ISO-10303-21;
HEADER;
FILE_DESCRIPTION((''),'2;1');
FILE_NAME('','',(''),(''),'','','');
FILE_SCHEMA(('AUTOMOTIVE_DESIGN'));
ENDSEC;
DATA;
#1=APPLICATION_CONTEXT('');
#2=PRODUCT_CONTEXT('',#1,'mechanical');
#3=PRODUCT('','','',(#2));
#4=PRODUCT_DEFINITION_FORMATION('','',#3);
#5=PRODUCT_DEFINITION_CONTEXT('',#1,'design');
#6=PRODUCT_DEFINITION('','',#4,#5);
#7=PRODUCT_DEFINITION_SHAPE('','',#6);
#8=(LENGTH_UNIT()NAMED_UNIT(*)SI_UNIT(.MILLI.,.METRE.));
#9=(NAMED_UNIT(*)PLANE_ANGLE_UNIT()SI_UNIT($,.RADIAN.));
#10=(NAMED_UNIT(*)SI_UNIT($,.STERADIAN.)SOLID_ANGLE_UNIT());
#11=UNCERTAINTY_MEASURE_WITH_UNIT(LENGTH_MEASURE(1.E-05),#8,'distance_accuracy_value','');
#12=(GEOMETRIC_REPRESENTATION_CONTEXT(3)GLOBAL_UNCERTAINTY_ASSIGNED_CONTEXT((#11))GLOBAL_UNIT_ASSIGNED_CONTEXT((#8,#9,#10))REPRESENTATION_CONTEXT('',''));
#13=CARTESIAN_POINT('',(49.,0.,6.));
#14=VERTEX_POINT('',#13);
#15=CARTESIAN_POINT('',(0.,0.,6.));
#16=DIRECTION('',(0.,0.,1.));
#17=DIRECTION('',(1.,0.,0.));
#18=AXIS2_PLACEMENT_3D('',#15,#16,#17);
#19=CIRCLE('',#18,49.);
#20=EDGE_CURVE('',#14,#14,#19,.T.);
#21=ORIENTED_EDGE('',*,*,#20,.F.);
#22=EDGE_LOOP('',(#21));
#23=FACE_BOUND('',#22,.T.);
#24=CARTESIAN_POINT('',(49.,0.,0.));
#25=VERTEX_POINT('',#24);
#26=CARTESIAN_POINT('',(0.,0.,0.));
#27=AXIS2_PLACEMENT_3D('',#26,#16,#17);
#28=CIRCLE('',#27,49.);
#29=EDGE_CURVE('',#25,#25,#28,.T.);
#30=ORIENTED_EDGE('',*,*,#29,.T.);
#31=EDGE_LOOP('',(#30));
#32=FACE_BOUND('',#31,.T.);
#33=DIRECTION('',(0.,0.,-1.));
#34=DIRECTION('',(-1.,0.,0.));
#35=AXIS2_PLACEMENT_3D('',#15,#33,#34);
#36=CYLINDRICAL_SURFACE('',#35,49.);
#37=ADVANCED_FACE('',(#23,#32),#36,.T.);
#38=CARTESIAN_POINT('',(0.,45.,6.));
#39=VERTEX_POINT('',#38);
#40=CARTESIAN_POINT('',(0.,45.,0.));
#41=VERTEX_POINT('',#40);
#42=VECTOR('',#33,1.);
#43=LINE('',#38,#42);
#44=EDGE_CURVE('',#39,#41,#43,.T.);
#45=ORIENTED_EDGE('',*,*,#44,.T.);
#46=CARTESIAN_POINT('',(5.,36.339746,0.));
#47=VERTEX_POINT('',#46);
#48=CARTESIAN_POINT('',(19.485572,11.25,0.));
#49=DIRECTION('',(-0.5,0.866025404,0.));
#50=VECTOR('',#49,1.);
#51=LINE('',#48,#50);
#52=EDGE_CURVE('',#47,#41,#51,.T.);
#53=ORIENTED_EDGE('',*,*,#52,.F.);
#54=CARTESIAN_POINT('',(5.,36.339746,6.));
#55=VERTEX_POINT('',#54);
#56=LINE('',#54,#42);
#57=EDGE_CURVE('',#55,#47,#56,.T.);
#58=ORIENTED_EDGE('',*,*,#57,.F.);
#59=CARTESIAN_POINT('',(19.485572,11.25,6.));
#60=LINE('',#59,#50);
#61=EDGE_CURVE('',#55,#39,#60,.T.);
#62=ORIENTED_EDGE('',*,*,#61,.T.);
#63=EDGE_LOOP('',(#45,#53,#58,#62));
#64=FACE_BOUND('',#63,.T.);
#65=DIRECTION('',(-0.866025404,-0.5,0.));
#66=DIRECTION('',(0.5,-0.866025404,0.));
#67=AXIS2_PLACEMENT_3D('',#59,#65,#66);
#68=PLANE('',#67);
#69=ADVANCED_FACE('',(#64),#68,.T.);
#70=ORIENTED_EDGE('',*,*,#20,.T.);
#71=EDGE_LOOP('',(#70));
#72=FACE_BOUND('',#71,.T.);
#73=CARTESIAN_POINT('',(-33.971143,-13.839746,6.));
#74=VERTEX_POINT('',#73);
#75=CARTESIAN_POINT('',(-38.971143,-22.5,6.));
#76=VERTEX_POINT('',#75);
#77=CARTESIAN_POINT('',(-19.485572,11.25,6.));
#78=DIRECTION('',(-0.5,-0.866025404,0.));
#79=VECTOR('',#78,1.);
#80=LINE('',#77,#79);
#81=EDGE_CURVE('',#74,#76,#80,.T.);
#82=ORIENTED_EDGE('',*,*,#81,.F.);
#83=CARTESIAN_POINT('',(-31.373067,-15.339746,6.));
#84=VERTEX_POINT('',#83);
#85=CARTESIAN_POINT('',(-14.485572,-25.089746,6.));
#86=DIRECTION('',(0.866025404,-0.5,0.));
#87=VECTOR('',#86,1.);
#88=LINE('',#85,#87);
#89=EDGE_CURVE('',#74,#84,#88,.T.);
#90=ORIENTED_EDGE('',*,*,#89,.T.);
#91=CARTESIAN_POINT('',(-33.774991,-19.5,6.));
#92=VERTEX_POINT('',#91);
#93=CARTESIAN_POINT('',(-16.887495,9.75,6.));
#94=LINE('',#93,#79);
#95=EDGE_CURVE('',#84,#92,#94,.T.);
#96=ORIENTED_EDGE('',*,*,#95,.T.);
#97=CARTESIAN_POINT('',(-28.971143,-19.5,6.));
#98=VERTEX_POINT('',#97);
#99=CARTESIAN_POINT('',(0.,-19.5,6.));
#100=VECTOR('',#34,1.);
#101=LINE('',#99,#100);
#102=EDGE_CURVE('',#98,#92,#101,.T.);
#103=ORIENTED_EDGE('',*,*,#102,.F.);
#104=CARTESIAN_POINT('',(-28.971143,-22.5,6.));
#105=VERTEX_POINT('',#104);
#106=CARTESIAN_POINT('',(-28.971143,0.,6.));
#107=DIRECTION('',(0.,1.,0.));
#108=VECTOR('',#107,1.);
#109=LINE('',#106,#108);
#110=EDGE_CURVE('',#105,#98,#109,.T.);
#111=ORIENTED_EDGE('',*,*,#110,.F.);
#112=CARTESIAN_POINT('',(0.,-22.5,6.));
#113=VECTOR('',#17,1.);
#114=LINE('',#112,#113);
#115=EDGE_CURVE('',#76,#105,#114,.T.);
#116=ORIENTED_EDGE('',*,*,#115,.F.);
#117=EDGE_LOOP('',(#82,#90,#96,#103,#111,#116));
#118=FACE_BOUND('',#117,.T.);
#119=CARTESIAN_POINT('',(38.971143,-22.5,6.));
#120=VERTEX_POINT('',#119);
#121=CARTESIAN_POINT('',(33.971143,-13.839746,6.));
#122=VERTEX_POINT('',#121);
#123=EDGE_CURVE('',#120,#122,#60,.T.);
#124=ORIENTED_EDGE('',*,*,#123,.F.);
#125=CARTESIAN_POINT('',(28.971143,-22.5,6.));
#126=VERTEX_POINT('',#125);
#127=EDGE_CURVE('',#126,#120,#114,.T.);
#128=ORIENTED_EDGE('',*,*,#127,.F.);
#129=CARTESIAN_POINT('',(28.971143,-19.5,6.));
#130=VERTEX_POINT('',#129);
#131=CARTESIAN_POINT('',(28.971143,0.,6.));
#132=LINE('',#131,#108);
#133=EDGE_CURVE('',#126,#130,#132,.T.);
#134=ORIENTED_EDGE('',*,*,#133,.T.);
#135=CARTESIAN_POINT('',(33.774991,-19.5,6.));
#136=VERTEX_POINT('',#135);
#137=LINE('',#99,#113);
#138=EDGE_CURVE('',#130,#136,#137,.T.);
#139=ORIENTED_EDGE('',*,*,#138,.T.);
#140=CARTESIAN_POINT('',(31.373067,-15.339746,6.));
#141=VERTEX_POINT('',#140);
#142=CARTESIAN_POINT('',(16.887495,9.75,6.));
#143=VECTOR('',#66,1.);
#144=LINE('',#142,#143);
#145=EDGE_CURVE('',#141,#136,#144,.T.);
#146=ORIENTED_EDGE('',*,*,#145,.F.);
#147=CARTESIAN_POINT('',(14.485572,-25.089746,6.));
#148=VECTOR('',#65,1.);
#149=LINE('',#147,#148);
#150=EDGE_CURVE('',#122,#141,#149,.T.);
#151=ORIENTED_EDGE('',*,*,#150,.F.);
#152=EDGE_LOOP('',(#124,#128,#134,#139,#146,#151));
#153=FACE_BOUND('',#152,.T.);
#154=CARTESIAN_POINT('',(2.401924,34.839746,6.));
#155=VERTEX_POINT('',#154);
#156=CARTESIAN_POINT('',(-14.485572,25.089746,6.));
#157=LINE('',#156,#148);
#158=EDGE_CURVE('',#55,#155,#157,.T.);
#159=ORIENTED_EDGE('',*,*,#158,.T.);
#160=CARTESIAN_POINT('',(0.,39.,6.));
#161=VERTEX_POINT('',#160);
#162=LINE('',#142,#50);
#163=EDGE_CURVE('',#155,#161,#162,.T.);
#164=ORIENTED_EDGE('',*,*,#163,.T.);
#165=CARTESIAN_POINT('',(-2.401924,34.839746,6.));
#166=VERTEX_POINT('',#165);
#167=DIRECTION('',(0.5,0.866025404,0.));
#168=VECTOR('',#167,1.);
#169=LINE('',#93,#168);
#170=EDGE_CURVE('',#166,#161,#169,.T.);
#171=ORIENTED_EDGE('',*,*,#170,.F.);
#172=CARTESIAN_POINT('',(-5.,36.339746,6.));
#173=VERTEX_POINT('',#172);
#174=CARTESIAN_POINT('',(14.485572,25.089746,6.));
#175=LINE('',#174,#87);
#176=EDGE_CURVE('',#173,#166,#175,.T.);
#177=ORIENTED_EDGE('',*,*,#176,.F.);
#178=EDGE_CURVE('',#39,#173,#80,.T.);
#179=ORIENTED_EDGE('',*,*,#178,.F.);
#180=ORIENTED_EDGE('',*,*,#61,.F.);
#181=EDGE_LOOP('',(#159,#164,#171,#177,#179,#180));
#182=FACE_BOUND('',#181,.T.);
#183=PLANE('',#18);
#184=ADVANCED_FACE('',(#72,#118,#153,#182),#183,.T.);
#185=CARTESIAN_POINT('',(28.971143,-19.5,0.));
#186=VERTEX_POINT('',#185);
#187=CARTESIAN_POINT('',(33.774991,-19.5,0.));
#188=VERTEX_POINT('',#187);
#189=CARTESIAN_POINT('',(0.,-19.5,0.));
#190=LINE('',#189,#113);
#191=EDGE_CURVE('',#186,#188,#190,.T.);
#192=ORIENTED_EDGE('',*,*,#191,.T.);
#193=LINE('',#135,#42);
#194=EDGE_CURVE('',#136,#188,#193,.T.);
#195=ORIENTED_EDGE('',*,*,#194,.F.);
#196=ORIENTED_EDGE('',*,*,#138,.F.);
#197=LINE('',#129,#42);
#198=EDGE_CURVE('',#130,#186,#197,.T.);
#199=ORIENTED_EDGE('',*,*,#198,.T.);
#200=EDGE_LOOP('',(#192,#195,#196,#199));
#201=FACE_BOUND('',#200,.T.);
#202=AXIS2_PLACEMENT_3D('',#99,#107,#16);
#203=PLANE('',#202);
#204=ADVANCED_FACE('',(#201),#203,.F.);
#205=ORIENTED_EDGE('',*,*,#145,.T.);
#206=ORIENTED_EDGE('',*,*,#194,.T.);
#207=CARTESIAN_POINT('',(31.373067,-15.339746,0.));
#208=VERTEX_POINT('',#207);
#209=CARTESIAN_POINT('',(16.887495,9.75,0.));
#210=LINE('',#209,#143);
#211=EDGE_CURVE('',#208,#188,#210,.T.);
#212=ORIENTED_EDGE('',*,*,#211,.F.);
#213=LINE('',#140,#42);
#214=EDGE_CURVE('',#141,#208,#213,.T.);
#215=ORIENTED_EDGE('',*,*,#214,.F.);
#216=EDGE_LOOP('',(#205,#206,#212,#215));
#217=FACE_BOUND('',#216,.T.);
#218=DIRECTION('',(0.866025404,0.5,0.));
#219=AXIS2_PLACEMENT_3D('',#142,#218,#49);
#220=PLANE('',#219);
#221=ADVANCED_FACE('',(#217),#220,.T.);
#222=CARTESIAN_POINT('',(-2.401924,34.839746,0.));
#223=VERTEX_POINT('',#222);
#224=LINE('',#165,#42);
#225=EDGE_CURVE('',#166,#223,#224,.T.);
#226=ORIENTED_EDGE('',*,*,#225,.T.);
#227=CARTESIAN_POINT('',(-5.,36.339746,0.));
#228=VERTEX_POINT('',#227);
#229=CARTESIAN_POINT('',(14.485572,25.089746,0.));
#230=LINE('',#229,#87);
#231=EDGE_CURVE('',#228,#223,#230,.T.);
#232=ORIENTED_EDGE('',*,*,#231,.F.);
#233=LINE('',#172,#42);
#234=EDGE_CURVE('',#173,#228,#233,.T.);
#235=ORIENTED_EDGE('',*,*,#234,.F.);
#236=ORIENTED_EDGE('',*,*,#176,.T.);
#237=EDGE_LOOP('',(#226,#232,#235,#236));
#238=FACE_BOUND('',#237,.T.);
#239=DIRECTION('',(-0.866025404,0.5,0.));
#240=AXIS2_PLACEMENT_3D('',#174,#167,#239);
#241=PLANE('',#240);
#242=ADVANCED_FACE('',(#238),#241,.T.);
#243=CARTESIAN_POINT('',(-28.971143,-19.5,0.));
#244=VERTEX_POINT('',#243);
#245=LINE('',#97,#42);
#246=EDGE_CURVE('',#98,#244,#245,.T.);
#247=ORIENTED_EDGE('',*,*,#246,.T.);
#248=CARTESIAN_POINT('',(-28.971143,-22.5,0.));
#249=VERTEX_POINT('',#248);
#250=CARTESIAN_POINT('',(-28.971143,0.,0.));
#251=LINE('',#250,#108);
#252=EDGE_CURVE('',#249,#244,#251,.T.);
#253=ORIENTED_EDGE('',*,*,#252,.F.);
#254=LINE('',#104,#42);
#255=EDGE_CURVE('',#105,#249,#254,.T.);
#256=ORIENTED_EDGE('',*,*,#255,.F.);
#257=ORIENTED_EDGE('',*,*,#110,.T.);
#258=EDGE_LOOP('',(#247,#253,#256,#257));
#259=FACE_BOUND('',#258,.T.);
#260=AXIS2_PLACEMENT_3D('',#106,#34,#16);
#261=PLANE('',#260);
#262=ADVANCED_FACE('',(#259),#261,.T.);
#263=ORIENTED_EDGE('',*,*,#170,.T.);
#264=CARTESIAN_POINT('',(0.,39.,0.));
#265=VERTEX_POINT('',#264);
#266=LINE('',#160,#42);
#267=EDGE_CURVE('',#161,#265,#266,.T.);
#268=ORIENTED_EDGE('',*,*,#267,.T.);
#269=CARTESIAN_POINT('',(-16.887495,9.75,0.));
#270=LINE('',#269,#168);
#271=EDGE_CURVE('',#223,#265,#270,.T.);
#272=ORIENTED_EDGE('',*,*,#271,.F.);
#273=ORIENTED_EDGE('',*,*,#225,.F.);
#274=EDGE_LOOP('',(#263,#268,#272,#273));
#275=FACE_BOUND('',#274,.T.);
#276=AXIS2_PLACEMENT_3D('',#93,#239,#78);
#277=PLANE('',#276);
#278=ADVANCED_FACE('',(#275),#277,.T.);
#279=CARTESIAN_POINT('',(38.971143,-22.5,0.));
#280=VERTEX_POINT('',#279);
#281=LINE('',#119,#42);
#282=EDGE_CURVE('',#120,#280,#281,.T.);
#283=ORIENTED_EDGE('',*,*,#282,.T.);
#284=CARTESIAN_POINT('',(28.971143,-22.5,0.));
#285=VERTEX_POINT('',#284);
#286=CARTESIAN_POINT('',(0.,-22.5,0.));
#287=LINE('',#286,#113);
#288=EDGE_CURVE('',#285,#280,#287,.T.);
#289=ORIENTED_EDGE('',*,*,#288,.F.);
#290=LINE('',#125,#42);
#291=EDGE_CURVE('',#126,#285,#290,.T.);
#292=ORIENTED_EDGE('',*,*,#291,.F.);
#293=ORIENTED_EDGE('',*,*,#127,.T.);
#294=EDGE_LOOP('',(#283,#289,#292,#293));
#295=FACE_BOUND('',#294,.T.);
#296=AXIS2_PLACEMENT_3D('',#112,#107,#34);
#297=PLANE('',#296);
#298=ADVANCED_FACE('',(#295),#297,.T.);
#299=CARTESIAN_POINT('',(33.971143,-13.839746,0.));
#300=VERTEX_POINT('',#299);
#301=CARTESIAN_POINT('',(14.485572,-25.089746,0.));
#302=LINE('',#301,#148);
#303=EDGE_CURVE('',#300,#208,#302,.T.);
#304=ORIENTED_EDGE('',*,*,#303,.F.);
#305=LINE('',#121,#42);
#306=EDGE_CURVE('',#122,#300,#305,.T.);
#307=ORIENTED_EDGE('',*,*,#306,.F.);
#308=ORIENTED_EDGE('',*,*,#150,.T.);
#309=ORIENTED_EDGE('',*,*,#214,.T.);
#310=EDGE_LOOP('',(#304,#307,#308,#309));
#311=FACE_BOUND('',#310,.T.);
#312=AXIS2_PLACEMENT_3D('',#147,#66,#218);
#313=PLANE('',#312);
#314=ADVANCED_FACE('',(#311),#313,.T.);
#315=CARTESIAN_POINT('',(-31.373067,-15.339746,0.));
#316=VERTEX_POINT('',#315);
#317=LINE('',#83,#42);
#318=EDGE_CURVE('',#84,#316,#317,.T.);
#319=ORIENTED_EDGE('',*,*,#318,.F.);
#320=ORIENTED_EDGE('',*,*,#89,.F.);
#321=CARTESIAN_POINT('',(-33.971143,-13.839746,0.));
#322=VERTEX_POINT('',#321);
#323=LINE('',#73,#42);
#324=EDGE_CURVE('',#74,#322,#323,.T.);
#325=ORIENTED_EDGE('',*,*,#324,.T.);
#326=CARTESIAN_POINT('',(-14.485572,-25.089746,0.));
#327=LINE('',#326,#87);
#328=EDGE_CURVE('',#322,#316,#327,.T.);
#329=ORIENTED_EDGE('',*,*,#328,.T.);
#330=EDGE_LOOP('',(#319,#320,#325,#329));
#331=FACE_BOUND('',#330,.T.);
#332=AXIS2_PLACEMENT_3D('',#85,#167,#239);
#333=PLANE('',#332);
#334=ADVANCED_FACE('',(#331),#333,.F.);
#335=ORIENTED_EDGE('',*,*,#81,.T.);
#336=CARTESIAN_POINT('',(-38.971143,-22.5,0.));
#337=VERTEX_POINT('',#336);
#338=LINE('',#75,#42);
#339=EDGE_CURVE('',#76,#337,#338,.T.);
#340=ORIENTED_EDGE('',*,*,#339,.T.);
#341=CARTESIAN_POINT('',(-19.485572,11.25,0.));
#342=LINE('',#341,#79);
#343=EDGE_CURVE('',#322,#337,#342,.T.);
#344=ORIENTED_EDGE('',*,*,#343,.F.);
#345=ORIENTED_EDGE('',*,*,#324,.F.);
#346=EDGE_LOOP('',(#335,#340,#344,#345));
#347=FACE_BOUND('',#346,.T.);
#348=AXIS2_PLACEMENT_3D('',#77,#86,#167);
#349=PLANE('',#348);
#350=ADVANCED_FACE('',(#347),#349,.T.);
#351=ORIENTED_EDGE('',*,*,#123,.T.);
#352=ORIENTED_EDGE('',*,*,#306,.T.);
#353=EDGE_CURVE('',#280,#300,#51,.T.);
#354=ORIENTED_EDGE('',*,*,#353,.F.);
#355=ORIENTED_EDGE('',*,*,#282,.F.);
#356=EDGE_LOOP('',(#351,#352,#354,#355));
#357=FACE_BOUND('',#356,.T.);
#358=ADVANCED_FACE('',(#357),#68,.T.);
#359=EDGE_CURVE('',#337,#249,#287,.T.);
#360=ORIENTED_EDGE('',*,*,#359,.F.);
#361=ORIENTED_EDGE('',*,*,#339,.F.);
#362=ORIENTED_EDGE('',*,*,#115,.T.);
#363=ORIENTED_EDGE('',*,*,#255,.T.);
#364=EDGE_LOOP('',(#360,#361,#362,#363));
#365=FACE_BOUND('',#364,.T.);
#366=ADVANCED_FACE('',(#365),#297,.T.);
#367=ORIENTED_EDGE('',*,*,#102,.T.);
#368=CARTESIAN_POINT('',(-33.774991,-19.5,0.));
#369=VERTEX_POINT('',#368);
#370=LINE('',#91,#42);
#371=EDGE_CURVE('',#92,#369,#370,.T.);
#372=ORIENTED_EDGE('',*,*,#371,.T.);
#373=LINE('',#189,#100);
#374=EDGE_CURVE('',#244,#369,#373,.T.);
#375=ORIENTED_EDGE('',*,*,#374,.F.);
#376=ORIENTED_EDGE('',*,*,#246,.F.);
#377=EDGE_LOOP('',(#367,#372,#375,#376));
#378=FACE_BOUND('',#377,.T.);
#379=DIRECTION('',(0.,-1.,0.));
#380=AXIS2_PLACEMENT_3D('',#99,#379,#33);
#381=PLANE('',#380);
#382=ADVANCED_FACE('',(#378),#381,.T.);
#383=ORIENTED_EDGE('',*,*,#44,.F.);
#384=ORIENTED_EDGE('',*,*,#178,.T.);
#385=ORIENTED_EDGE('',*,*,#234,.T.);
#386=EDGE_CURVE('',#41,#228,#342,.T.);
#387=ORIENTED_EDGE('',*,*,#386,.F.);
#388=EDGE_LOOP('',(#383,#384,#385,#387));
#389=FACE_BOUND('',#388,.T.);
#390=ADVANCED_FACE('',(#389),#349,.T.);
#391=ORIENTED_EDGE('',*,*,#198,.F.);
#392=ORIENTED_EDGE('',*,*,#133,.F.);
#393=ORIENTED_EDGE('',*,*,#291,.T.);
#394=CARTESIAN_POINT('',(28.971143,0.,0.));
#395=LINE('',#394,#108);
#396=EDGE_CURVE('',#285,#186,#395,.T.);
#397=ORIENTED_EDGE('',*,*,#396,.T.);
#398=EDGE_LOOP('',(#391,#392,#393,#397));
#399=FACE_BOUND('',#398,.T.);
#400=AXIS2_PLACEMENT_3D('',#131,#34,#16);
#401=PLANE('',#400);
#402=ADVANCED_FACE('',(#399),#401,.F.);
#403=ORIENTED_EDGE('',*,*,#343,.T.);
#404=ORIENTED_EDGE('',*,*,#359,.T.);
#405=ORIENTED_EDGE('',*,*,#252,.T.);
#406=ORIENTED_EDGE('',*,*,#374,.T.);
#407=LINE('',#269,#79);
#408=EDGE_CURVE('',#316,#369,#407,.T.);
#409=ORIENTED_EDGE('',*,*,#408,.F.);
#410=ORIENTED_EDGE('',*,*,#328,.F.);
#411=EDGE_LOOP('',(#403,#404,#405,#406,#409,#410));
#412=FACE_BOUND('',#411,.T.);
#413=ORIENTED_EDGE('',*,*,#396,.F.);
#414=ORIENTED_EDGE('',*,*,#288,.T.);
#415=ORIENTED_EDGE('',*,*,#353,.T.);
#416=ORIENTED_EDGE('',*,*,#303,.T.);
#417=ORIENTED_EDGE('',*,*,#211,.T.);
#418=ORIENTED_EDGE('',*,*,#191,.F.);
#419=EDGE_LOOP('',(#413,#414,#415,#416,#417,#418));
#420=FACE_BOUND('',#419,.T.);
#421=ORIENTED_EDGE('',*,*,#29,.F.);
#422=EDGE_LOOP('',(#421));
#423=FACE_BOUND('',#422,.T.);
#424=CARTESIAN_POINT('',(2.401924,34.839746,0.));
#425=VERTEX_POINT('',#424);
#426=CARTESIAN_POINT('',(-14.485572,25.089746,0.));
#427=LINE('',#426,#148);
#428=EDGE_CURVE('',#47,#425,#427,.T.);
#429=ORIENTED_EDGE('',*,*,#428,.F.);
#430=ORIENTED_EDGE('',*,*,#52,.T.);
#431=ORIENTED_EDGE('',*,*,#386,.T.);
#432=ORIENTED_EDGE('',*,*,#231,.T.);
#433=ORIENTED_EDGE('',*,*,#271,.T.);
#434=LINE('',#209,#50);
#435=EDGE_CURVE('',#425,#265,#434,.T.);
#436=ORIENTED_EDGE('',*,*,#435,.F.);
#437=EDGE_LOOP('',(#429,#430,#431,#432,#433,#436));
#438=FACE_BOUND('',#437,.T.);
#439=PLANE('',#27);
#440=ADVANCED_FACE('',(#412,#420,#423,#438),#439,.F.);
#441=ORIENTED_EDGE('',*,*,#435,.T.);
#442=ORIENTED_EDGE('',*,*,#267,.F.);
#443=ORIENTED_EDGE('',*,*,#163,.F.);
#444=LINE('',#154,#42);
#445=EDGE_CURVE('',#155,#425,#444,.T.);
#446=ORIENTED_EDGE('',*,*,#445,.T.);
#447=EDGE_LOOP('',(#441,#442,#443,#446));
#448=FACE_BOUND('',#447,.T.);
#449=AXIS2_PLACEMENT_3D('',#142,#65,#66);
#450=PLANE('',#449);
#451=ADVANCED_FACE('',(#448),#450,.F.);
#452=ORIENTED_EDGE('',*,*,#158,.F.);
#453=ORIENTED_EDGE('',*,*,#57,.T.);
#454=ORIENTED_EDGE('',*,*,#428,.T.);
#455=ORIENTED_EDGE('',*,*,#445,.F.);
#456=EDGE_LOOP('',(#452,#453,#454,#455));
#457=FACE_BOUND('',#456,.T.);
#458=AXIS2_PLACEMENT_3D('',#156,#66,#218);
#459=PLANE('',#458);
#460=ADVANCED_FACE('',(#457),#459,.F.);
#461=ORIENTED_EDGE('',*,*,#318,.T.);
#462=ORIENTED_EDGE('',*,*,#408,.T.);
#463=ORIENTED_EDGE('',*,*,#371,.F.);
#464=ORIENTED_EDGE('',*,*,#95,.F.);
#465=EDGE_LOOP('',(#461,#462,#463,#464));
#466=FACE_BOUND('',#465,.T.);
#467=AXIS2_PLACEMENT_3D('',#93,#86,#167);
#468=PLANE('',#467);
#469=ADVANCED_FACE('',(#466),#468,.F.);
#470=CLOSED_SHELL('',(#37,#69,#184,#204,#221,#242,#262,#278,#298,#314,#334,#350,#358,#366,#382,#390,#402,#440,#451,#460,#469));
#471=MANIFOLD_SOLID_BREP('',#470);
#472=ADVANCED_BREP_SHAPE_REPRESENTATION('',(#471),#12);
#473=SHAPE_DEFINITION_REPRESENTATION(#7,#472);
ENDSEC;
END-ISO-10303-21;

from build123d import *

# Parameters (mm, degrees)
CROQUIS1_R              = 49
SALIENTE_EXTRUIR1_DEPTH = 6


with BuildPart() as part:
    # Croquis1 → Saliente-Extruir1 (new body)
    # profile 1 of 2: a face of its own
    with BuildSketch(Plane.XY):
        Circle(CROQUIS1_R)
        Polygon((-5, 36.339745962), (0, 45), (5, 36.339745962), (33.97114317, -13.839745962), (38.97114317, -22.5), (28.97114317, -22.5), (-28.97114317, -22.5), (-38.97114317, -22.5), (-33.97114317, -13.839745962), align=None, mode=Mode.SUBTRACT)
    # profile 2 of 2: a face of its own
    with BuildSketch(Plane.XY):
        Polygon((-2.401923789, 34.839745962), (-5, 36.339745962), (-33.97114317, -13.839745962), (-31.373066959, -15.339745962), (-33.774990748, -19.5), (-28.97114317, -19.5), (-28.97114317, -22.5), (28.97114317, -22.5), (28.97114317, -19.5), (33.774990748, -19.5), (31.373066959, -15.339745962), (33.97114317, -13.839745962), (5, 36.339745962), (2.401923789, 34.839745962), (0, 39), align=None)
    extrude(amount=SALIENTE_EXTRUIR1_DEPTH)


solid = part.part
